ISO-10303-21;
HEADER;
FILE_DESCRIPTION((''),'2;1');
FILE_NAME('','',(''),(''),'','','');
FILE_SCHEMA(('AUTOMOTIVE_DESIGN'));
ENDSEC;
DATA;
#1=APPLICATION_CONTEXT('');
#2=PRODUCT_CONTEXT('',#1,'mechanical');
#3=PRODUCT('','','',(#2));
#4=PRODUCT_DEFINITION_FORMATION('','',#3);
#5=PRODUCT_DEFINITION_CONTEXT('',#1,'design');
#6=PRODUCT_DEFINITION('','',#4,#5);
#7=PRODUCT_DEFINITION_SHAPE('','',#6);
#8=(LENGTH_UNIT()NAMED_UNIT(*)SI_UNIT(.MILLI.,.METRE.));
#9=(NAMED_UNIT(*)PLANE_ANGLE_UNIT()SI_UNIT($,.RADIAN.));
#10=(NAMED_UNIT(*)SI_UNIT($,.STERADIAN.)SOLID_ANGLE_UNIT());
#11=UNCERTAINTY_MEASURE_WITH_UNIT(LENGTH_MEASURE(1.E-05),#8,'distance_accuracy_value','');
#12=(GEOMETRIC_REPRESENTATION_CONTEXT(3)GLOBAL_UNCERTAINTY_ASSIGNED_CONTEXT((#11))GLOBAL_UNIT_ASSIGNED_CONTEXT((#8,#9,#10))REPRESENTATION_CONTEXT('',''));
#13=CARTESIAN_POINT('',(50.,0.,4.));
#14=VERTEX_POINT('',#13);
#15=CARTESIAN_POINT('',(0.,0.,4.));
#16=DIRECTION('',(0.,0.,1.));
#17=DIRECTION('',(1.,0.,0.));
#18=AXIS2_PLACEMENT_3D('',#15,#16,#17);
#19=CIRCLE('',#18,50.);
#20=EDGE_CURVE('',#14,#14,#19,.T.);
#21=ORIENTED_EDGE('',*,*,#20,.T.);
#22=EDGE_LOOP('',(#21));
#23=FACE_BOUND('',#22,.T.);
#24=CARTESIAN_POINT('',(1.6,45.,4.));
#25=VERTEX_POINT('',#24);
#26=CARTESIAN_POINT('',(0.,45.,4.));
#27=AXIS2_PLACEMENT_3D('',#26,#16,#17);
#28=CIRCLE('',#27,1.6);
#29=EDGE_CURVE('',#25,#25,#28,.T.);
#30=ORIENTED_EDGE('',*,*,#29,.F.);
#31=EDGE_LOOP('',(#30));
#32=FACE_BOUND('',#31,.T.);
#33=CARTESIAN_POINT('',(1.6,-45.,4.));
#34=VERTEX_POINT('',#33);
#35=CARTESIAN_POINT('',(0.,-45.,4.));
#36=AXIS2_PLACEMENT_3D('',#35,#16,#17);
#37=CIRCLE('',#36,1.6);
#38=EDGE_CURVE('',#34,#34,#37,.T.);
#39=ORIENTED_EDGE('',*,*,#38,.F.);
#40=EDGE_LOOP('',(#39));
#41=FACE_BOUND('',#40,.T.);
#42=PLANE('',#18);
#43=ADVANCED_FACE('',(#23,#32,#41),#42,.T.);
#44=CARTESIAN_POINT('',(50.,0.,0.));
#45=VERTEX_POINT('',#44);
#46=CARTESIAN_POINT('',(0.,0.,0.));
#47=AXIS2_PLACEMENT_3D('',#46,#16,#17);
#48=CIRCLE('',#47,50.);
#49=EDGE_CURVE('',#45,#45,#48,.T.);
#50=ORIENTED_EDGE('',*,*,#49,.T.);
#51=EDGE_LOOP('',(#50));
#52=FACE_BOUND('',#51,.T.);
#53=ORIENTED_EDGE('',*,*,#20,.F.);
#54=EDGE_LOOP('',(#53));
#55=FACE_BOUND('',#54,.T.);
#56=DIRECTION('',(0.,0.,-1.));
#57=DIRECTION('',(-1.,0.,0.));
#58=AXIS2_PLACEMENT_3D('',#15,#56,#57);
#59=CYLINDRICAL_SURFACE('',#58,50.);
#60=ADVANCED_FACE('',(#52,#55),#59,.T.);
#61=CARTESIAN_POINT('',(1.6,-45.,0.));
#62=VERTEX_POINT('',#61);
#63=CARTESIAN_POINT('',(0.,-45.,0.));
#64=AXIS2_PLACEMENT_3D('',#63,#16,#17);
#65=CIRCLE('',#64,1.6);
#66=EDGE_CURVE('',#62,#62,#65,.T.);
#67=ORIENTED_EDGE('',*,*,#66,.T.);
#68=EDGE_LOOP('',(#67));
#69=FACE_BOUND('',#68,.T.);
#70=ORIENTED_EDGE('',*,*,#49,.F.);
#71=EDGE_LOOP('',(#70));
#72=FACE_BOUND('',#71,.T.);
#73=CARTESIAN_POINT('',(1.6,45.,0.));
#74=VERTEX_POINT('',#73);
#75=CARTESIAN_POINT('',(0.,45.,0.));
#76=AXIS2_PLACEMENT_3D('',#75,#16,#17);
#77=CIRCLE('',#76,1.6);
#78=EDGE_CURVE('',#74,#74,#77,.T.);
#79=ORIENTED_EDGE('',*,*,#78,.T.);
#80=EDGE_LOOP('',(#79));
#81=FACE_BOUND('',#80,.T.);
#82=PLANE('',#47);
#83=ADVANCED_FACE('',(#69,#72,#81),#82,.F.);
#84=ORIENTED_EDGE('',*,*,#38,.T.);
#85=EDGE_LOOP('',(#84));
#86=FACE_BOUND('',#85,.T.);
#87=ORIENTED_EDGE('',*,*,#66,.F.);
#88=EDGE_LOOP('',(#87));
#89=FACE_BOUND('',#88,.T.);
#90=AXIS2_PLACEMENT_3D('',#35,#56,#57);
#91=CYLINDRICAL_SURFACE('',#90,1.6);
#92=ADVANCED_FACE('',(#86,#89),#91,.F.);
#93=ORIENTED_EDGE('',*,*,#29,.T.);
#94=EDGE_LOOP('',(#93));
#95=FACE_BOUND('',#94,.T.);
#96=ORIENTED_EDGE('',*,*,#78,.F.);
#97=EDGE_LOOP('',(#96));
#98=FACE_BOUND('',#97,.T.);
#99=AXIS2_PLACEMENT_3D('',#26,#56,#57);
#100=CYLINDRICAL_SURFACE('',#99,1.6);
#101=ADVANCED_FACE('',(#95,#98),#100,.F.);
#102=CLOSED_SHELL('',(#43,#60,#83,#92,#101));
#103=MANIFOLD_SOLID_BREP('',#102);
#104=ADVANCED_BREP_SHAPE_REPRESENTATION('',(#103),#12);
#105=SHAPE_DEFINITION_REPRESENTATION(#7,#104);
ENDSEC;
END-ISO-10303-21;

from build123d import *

# Parameters (mm, degrees)
SKETCH_1_R      = 50
SKETCH_1_R_2    = 1.6
EXTRUDE_1_DEPTH = 4


with BuildPart() as part:
    # 草图1 → 凸台-拉伸1 (new body)
    with BuildSketch(Plane.XY):
        Circle(SKETCH_1_R)
        with Locations((0, 45)):
            Circle(SKETCH_1_R_2, mode=Mode.SUBTRACT)
        with Locations((0, -45)):
            Circle(SKETCH_1_R_2, mode=Mode.SUBTRACT)
    extrude(amount=EXTRUDE_1_DEPTH)


solid = part.part
